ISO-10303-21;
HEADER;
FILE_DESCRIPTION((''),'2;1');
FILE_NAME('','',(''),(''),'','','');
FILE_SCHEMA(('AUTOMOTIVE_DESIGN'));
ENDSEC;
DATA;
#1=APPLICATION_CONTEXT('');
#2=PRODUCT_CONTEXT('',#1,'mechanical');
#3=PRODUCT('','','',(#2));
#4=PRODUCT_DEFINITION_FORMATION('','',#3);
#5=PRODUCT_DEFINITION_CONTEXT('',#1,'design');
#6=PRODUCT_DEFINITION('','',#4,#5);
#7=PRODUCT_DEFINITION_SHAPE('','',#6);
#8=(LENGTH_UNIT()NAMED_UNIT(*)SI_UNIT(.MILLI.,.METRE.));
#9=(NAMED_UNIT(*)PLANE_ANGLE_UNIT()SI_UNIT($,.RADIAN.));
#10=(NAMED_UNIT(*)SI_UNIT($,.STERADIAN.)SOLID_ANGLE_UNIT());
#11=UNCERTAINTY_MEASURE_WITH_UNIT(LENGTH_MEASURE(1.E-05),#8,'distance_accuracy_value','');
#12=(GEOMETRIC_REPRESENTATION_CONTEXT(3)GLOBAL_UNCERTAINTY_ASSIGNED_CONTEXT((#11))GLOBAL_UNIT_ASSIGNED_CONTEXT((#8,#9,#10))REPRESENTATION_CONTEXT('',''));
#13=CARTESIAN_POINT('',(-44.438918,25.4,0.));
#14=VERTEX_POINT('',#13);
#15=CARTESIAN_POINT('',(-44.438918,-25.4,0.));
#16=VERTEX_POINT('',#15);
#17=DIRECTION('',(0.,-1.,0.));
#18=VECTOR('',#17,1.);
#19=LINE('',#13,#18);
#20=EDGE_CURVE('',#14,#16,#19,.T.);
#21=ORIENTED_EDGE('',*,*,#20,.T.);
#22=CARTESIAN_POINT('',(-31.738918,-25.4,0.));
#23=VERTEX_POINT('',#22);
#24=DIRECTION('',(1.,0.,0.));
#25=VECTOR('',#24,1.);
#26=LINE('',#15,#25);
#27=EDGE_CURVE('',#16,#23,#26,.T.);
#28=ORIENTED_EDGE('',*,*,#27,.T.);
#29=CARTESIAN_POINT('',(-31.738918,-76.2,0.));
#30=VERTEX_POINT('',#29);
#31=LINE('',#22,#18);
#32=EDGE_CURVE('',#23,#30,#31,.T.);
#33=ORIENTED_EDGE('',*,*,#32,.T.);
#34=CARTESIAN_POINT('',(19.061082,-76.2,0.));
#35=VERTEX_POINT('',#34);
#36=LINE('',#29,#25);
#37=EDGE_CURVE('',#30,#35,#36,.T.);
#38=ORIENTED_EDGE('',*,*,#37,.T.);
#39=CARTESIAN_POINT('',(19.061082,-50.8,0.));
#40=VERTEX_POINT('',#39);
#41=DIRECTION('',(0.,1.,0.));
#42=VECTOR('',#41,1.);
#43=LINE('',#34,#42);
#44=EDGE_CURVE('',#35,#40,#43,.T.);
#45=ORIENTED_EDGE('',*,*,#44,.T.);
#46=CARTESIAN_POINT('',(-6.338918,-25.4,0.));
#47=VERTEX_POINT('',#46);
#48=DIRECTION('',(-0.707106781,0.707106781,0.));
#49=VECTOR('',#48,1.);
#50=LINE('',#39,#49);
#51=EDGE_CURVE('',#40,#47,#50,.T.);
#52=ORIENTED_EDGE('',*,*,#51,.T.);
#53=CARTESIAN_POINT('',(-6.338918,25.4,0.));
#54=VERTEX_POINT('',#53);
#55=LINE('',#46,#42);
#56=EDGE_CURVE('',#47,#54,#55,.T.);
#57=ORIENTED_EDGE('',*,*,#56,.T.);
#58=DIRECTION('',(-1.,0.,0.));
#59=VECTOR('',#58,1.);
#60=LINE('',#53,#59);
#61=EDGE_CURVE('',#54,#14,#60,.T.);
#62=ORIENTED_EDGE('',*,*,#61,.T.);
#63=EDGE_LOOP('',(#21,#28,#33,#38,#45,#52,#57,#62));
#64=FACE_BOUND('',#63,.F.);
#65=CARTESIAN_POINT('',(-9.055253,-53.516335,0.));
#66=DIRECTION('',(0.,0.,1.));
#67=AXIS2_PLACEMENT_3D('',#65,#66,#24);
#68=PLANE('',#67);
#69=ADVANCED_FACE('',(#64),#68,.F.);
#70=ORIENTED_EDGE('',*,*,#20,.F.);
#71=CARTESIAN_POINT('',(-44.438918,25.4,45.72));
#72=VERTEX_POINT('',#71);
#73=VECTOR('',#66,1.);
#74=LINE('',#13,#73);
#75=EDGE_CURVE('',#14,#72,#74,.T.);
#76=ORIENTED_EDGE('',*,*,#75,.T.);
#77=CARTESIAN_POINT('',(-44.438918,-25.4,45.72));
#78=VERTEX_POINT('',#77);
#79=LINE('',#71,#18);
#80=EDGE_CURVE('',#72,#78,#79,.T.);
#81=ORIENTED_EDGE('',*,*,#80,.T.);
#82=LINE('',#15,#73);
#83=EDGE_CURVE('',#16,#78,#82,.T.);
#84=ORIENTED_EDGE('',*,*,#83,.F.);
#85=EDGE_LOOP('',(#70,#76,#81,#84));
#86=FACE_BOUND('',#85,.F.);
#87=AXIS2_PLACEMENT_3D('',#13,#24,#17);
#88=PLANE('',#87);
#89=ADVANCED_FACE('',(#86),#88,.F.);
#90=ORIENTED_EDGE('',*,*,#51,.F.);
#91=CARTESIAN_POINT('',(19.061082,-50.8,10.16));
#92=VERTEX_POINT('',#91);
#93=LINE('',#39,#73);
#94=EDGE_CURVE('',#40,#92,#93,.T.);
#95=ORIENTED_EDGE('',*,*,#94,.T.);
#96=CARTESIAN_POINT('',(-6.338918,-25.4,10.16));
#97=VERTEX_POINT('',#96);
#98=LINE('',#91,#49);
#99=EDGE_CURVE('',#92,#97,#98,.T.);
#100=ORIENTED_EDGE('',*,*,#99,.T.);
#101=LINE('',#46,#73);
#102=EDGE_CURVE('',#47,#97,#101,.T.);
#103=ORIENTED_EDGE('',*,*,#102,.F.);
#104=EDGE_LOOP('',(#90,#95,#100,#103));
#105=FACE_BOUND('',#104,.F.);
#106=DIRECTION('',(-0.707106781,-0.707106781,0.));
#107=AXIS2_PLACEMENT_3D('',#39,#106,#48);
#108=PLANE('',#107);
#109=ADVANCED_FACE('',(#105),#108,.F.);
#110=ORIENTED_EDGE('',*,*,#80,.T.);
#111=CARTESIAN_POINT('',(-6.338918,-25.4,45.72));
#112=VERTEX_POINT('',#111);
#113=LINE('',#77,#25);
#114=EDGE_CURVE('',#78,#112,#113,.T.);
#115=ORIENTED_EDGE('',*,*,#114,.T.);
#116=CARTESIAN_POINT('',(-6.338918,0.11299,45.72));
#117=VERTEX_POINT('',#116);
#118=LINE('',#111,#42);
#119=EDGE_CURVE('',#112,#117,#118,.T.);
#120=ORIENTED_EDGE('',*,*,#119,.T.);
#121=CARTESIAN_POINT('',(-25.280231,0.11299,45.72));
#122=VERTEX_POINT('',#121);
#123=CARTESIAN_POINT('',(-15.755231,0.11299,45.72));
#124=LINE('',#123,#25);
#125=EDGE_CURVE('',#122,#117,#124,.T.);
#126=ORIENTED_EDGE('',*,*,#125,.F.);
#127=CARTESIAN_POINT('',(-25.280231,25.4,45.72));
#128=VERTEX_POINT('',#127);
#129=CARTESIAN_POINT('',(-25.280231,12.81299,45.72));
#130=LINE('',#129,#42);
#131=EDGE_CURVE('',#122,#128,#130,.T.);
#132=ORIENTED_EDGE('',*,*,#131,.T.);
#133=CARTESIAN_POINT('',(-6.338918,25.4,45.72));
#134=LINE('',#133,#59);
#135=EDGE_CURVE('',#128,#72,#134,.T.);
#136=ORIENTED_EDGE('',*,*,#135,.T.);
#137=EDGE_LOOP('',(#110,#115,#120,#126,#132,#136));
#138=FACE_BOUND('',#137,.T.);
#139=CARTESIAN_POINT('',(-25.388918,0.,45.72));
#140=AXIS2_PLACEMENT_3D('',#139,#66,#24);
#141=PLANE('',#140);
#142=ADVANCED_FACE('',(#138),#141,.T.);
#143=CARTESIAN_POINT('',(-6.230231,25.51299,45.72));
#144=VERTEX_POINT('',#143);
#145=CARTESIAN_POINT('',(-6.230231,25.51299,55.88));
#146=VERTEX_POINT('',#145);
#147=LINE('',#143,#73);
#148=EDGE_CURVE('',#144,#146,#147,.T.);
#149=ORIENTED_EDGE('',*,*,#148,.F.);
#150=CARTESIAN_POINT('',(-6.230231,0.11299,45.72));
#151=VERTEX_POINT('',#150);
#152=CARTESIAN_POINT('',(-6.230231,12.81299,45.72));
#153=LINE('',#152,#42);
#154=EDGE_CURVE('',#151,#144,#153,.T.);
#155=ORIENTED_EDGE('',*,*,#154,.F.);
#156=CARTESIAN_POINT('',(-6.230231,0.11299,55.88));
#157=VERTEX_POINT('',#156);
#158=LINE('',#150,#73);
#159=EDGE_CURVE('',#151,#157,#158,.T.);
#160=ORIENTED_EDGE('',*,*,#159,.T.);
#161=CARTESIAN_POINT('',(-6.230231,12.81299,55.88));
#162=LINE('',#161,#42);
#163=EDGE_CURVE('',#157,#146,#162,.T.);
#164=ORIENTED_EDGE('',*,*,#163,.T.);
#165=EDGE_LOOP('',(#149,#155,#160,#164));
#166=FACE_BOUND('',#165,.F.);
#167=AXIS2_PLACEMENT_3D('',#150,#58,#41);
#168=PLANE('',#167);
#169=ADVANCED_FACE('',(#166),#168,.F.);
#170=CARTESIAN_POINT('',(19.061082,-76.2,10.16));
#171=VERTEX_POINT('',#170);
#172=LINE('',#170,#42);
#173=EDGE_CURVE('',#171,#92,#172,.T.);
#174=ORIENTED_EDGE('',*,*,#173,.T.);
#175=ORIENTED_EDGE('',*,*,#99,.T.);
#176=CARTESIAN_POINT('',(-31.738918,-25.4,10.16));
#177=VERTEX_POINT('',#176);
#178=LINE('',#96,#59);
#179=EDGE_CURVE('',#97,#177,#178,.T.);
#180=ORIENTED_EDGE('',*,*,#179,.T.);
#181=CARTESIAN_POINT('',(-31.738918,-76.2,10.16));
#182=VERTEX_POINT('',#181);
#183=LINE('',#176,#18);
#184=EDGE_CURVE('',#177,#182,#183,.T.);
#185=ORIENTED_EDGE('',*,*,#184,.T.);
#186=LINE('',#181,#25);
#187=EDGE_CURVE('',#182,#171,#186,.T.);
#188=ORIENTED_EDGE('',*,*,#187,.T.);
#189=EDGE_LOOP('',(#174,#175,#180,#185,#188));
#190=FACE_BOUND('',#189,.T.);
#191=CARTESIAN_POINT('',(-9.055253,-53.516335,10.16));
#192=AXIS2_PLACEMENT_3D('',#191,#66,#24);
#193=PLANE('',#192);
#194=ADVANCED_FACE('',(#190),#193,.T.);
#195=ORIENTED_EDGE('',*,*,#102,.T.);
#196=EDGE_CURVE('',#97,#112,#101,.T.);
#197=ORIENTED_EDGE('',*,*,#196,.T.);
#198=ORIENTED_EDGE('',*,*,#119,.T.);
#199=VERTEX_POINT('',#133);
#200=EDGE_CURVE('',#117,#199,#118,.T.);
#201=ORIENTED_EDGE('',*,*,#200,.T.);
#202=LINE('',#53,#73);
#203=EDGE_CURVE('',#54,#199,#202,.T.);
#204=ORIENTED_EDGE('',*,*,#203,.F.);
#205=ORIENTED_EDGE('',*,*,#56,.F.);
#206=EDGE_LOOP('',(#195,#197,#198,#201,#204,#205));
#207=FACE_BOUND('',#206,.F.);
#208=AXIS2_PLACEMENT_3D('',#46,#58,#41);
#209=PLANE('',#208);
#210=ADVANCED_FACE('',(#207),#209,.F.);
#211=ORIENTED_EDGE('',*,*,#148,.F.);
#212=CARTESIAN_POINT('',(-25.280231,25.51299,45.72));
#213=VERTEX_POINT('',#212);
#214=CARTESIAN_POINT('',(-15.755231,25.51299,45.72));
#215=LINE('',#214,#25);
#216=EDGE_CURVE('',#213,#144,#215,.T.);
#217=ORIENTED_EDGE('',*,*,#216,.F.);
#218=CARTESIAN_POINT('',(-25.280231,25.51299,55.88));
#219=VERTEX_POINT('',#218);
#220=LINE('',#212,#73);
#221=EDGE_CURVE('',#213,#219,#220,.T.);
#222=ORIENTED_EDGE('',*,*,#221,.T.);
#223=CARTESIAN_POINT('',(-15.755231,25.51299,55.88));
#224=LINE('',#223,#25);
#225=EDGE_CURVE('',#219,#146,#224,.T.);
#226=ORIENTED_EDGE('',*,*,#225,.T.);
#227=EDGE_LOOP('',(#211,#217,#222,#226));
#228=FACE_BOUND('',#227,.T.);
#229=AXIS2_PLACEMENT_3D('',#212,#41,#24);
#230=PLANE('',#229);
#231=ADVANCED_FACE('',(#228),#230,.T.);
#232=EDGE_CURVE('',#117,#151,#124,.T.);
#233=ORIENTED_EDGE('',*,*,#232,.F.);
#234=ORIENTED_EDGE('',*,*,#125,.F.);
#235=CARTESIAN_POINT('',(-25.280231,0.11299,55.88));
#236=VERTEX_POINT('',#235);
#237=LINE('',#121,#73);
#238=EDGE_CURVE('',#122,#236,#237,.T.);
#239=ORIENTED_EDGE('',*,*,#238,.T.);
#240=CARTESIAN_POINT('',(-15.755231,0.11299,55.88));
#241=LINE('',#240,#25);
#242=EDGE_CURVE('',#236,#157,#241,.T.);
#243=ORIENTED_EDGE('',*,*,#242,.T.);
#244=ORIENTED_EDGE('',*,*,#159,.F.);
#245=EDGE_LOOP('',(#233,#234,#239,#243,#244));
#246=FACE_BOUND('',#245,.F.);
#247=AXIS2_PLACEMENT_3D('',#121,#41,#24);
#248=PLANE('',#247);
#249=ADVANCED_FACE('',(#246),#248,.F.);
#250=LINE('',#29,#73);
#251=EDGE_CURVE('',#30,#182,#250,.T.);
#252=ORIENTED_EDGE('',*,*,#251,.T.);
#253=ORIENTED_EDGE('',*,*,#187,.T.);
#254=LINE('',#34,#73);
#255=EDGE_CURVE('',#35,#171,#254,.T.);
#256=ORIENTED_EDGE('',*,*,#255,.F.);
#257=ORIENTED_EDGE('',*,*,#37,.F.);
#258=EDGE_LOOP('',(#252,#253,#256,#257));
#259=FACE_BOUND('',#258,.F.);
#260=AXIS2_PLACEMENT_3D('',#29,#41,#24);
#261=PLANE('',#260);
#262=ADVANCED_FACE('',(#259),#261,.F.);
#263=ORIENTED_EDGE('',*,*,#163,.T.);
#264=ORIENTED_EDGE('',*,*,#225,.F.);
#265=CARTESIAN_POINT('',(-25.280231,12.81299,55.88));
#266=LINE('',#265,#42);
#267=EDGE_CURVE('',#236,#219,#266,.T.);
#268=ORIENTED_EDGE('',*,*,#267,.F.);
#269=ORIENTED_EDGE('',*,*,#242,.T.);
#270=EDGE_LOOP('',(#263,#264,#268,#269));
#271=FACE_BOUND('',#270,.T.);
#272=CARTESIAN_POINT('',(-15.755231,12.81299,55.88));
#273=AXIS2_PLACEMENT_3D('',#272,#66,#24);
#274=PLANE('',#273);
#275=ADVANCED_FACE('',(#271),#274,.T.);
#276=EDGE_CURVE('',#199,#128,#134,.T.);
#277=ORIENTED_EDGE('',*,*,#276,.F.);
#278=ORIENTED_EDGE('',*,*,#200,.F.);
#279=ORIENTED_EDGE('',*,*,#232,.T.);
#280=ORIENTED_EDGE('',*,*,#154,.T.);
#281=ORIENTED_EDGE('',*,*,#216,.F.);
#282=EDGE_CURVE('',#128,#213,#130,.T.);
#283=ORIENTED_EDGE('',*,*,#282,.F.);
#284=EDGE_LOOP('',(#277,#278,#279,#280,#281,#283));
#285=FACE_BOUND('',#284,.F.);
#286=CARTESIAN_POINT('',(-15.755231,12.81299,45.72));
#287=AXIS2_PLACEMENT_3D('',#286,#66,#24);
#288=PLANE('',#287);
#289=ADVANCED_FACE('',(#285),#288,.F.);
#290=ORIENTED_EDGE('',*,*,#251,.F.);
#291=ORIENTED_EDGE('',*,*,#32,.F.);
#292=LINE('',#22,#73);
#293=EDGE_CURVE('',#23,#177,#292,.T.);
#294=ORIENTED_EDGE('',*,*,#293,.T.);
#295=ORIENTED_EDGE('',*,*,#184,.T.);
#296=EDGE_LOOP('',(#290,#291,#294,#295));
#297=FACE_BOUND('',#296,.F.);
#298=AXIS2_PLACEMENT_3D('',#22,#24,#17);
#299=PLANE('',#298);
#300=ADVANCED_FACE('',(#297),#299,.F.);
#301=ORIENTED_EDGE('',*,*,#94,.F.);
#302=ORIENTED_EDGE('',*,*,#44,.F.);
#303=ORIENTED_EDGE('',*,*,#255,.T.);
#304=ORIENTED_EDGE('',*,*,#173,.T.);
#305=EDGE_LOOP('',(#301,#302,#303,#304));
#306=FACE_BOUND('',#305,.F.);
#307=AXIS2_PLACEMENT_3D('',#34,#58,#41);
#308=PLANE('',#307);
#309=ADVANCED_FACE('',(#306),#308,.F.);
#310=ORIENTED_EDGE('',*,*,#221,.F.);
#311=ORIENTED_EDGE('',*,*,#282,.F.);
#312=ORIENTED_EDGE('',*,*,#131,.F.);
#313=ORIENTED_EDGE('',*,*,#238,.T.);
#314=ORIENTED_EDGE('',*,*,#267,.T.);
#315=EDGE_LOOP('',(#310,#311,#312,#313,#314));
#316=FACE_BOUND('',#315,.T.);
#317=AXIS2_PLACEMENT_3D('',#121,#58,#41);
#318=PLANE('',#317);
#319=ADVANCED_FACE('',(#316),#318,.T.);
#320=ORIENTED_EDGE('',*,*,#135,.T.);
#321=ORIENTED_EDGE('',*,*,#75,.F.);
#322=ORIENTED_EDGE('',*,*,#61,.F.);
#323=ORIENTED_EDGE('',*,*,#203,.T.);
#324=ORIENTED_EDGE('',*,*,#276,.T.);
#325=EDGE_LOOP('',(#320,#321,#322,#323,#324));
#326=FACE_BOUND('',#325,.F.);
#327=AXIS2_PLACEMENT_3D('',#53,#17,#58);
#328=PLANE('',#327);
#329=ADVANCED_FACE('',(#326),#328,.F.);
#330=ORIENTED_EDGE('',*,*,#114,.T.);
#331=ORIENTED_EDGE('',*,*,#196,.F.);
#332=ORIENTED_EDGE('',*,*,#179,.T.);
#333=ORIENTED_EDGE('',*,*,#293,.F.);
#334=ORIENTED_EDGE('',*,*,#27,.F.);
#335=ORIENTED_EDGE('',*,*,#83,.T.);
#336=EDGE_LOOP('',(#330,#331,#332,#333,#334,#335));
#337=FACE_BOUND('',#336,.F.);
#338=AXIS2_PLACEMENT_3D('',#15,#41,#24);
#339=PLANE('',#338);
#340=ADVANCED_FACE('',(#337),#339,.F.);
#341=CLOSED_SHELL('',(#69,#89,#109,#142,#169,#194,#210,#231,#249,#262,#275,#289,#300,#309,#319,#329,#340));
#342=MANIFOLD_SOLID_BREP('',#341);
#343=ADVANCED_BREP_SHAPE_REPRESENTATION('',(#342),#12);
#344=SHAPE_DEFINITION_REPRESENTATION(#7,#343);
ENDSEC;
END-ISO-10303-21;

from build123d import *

# Parameters (mm, degrees)
F1_DEPTH = 45.72
F2_DEPTH = 10.16
F4_W     = 19.05
F4_H     = 25.4
F5_DEPTH = 10.16


with BuildPart() as f1:
    # F0 (on Top) → F1 (new body)
    with BuildSketch(Plane.XY):
        Polygon((-6.338918, 25.4), (-44.438918, 25.4), (-44.438918, -25.4), (-31.738918, -25.4), (-6.338918, -25.4), align=None)
    extrude(amount=F1_DEPTH)

    # F0 (on Top) → F2 (join)
    with BuildSketch(Plane.XY):
        Polygon((19.061082, -50.8), (-6.338918, -25.4), (-31.738918, -25.4), (-31.738918, -76.2), (19.061082, -76.2), align=None)
    extrude(amount=F2_DEPTH)

    # F4 (on offset) → F5 (join)
    with BuildSketch(Plane.XY.offset(45.72)):
        with Locations((-15.755231, 12.81299)):
            Rectangle(F4_W, F4_H)
    extrude(amount=F5_DEPTH)


solid = f1.part
